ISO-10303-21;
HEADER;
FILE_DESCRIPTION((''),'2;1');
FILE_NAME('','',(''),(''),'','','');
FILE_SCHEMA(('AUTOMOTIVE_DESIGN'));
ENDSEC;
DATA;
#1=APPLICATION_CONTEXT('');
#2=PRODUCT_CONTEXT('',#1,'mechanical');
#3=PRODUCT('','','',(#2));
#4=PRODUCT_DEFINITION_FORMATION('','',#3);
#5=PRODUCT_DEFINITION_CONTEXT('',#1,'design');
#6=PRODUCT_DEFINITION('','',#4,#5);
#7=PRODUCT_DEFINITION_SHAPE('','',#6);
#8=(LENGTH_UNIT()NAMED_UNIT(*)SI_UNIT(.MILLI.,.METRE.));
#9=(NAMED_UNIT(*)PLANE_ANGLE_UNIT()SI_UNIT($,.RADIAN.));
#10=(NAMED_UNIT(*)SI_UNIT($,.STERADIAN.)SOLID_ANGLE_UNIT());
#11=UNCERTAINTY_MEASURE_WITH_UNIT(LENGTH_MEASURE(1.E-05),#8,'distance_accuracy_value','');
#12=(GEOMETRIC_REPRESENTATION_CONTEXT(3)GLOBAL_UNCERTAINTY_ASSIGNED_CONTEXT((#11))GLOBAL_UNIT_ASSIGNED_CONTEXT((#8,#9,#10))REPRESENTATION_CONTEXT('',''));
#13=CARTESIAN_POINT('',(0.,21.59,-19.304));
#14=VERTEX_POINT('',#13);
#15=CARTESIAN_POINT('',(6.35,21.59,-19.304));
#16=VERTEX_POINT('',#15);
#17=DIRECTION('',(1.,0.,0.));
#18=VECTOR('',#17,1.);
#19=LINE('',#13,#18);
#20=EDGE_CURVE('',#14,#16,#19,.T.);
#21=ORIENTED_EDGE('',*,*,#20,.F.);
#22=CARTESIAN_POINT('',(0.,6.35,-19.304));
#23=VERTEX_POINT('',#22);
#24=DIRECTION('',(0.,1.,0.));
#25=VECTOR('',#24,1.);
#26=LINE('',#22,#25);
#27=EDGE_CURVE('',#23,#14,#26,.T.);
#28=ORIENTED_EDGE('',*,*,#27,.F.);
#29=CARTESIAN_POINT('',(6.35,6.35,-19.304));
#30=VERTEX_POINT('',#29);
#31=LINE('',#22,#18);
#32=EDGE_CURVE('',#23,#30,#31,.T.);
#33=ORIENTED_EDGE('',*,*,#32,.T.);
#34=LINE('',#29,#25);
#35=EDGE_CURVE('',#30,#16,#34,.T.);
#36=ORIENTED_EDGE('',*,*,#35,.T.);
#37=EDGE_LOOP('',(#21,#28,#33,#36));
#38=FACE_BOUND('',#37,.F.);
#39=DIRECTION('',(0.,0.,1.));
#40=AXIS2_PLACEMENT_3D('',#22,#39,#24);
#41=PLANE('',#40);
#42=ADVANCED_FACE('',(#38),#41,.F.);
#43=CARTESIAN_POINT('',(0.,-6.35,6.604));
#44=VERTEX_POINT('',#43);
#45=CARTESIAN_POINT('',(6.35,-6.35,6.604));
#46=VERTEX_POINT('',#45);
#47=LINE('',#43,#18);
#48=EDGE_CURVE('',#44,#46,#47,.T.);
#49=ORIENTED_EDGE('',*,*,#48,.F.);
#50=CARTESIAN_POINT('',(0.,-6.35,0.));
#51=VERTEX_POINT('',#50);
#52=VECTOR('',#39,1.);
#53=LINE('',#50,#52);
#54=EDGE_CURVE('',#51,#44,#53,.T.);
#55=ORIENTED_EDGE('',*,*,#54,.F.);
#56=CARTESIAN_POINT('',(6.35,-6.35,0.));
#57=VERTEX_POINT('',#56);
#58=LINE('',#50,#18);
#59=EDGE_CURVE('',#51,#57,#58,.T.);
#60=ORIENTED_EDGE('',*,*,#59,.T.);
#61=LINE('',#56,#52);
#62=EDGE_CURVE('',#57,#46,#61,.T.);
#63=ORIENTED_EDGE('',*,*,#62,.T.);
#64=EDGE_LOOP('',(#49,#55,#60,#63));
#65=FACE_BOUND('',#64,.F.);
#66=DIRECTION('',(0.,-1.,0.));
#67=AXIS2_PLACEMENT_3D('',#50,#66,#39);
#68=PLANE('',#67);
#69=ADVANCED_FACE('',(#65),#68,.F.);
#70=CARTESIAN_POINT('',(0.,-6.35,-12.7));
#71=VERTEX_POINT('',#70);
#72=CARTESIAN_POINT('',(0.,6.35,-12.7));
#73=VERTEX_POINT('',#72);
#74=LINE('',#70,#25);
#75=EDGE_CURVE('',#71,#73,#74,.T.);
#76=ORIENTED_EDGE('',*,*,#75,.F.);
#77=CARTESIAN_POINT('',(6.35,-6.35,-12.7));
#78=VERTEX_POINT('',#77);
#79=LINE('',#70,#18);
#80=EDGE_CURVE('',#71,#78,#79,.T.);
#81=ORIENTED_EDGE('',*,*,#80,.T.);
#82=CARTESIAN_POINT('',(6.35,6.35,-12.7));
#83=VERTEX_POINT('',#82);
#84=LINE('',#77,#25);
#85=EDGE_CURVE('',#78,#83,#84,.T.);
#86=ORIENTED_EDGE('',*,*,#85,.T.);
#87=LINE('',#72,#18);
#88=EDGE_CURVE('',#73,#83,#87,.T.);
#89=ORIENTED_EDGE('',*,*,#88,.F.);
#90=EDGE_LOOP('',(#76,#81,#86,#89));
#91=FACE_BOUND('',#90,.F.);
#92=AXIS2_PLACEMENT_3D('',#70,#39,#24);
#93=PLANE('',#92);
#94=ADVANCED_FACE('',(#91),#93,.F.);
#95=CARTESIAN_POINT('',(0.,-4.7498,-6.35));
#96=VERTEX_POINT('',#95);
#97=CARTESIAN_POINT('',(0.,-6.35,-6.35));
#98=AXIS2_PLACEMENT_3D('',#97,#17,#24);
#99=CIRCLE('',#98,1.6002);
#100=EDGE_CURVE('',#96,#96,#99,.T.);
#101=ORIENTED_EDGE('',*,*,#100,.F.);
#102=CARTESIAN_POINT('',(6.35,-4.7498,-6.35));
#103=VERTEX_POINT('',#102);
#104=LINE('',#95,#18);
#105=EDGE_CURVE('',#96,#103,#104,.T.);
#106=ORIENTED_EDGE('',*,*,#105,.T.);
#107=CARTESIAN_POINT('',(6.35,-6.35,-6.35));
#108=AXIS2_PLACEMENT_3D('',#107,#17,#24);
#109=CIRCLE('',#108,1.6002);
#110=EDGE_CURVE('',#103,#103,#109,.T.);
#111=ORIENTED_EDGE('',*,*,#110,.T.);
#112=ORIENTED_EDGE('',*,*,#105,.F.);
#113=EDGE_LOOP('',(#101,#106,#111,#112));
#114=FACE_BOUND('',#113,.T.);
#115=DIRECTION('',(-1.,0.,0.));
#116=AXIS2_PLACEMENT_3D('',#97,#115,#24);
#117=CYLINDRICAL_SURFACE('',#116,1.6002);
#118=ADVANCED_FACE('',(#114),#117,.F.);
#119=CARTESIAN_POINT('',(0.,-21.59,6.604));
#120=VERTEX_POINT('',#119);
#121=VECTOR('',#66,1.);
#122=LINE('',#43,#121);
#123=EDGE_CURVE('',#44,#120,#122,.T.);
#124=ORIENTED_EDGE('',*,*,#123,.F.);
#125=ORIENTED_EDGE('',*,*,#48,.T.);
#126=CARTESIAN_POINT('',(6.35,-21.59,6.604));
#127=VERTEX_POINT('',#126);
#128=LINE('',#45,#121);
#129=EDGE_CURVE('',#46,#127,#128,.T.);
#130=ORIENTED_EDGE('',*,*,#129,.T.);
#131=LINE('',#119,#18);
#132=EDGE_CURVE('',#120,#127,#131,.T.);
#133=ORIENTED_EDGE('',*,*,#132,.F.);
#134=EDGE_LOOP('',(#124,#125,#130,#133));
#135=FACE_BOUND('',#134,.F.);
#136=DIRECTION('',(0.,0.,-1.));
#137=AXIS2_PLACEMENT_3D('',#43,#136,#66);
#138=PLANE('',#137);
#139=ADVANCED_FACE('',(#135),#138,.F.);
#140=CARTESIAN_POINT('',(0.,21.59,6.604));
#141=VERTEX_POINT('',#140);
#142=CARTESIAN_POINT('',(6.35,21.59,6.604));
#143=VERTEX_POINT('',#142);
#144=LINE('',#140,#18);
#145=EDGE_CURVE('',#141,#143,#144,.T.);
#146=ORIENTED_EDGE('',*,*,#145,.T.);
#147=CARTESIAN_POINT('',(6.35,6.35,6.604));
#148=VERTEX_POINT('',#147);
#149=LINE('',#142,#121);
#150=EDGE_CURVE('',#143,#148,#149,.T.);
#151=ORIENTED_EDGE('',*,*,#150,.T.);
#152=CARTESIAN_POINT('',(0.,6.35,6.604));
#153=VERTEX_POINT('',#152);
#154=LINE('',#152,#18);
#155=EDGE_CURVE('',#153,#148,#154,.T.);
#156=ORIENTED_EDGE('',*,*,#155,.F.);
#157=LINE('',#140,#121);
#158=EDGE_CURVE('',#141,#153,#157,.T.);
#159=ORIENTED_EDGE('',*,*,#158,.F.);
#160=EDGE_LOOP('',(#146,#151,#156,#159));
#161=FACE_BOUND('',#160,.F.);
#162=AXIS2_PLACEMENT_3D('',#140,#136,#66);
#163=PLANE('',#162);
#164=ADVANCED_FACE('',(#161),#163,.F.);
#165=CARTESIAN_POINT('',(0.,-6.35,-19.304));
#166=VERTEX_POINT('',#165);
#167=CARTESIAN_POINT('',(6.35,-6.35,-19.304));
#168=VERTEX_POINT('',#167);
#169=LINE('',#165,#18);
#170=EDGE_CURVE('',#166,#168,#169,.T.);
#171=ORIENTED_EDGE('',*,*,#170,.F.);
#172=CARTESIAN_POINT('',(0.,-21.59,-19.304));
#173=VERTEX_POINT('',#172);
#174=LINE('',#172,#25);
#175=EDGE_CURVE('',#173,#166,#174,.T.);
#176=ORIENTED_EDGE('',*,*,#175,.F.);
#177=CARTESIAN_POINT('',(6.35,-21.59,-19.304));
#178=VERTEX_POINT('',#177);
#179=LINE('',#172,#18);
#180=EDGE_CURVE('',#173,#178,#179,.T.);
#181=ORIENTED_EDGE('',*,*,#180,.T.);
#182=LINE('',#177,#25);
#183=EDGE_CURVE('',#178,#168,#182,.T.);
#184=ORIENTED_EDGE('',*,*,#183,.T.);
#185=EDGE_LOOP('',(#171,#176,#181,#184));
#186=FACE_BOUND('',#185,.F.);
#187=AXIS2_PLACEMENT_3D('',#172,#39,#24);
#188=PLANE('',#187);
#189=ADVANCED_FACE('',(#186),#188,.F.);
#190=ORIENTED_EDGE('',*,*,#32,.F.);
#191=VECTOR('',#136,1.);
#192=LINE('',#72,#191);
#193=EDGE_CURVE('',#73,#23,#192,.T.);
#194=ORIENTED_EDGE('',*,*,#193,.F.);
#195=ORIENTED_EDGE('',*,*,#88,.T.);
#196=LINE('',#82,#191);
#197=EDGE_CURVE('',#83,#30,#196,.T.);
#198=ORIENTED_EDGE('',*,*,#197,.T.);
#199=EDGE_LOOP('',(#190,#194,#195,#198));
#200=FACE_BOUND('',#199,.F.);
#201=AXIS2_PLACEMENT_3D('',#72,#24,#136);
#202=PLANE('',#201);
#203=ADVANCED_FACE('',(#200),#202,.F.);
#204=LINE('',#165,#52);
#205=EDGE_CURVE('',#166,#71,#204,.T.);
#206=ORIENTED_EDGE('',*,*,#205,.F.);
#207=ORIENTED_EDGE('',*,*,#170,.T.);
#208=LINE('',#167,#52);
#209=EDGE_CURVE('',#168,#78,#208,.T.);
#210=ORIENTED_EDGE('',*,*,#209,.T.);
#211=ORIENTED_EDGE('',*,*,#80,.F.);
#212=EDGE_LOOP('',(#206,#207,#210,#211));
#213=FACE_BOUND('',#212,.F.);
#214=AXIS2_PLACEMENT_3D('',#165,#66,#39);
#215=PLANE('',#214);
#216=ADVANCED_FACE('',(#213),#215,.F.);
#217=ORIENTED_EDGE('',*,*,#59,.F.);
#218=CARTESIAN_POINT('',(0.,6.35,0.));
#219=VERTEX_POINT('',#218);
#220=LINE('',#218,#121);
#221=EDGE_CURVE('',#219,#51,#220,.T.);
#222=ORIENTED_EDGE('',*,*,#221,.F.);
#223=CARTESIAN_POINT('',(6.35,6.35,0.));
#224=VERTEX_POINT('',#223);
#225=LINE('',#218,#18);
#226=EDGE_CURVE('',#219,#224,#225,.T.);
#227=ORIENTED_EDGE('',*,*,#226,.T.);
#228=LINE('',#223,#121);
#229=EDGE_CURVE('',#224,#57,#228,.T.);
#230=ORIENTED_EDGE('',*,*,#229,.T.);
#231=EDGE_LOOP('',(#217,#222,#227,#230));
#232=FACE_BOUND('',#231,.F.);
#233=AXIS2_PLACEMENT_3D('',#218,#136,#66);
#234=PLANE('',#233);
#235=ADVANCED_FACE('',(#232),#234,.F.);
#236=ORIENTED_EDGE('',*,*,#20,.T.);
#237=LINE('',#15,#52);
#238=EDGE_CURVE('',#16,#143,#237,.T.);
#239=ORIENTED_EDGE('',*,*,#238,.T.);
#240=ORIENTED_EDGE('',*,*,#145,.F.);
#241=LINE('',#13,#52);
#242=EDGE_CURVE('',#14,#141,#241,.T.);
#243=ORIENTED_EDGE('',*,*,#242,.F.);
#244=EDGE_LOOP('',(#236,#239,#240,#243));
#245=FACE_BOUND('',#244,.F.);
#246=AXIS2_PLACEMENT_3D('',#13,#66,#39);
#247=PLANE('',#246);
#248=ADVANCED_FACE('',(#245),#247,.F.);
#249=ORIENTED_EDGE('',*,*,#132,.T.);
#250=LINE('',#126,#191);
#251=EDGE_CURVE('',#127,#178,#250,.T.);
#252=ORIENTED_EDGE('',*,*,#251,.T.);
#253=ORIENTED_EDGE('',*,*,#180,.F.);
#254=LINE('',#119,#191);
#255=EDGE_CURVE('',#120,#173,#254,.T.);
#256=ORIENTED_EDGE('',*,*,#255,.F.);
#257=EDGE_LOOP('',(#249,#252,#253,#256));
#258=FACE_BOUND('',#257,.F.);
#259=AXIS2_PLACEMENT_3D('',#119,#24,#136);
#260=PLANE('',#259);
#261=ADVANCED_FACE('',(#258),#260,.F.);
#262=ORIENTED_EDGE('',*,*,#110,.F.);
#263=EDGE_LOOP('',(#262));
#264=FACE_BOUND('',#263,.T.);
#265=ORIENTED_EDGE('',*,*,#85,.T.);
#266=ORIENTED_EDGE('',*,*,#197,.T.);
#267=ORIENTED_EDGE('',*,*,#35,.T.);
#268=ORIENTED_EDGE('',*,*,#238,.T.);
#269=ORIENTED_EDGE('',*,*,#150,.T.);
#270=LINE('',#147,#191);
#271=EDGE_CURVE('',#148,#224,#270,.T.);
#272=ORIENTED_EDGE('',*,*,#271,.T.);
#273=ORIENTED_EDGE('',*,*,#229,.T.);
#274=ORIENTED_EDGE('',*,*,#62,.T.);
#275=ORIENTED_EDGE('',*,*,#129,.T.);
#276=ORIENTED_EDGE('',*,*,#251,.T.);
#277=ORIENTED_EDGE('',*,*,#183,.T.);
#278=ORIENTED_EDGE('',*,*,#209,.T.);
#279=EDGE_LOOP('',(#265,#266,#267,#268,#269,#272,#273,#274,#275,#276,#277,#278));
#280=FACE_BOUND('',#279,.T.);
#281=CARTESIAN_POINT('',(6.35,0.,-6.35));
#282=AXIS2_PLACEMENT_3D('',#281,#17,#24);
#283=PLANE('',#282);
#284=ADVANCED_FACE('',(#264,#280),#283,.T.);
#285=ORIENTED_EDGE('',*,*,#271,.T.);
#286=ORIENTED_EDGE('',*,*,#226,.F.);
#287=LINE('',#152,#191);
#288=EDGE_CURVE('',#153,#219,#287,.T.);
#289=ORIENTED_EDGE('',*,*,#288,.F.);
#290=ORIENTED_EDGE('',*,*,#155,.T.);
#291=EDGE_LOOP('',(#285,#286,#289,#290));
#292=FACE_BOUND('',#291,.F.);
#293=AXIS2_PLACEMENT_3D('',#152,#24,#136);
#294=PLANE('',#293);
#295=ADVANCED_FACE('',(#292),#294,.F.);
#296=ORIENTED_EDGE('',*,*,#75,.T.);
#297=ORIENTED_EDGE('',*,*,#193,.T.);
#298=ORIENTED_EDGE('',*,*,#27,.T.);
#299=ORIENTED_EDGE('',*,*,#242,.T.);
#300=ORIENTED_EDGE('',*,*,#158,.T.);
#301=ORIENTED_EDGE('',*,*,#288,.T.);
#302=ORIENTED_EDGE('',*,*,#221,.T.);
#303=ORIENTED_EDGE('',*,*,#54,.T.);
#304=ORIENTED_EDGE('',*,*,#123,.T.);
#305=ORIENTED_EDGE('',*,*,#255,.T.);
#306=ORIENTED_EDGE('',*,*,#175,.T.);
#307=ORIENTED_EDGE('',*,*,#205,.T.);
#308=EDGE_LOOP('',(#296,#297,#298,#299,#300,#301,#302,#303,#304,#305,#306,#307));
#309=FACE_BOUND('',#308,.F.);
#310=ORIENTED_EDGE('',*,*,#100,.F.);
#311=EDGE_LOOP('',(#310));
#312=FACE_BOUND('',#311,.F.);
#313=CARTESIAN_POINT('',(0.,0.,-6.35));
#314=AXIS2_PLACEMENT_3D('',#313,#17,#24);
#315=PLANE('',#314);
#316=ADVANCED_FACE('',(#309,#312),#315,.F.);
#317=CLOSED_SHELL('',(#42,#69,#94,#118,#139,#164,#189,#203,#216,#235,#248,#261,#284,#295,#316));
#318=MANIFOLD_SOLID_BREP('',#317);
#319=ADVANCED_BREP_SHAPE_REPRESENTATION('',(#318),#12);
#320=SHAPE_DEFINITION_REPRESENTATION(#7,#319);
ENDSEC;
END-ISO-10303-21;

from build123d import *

# Parameters (mm, degrees)
F0_R     = 1.6002
F1_DEPTH = 6.35


with BuildPart() as f1:
    # F0 (on Right) → F1 (new body)
    with BuildSketch(Plane.YZ):
        Polygon((6.35, 0), (-6.35, 0), (-6.35, 6.604), (-21.59, 6.604), (-21.59, -19.304), (-6.35, -19.304), (-6.35, -12.7), (6.35, -12.7), (6.35, -19.304), (21.59, -19.304), (21.59, 6.604), (6.35, 6.604), align=None)
        with Locations((-6.35, -6.35)):
            Circle(F0_R, mode=Mode.SUBTRACT)
    extrude(amount=F1_DEPTH)


solid = f1.part
